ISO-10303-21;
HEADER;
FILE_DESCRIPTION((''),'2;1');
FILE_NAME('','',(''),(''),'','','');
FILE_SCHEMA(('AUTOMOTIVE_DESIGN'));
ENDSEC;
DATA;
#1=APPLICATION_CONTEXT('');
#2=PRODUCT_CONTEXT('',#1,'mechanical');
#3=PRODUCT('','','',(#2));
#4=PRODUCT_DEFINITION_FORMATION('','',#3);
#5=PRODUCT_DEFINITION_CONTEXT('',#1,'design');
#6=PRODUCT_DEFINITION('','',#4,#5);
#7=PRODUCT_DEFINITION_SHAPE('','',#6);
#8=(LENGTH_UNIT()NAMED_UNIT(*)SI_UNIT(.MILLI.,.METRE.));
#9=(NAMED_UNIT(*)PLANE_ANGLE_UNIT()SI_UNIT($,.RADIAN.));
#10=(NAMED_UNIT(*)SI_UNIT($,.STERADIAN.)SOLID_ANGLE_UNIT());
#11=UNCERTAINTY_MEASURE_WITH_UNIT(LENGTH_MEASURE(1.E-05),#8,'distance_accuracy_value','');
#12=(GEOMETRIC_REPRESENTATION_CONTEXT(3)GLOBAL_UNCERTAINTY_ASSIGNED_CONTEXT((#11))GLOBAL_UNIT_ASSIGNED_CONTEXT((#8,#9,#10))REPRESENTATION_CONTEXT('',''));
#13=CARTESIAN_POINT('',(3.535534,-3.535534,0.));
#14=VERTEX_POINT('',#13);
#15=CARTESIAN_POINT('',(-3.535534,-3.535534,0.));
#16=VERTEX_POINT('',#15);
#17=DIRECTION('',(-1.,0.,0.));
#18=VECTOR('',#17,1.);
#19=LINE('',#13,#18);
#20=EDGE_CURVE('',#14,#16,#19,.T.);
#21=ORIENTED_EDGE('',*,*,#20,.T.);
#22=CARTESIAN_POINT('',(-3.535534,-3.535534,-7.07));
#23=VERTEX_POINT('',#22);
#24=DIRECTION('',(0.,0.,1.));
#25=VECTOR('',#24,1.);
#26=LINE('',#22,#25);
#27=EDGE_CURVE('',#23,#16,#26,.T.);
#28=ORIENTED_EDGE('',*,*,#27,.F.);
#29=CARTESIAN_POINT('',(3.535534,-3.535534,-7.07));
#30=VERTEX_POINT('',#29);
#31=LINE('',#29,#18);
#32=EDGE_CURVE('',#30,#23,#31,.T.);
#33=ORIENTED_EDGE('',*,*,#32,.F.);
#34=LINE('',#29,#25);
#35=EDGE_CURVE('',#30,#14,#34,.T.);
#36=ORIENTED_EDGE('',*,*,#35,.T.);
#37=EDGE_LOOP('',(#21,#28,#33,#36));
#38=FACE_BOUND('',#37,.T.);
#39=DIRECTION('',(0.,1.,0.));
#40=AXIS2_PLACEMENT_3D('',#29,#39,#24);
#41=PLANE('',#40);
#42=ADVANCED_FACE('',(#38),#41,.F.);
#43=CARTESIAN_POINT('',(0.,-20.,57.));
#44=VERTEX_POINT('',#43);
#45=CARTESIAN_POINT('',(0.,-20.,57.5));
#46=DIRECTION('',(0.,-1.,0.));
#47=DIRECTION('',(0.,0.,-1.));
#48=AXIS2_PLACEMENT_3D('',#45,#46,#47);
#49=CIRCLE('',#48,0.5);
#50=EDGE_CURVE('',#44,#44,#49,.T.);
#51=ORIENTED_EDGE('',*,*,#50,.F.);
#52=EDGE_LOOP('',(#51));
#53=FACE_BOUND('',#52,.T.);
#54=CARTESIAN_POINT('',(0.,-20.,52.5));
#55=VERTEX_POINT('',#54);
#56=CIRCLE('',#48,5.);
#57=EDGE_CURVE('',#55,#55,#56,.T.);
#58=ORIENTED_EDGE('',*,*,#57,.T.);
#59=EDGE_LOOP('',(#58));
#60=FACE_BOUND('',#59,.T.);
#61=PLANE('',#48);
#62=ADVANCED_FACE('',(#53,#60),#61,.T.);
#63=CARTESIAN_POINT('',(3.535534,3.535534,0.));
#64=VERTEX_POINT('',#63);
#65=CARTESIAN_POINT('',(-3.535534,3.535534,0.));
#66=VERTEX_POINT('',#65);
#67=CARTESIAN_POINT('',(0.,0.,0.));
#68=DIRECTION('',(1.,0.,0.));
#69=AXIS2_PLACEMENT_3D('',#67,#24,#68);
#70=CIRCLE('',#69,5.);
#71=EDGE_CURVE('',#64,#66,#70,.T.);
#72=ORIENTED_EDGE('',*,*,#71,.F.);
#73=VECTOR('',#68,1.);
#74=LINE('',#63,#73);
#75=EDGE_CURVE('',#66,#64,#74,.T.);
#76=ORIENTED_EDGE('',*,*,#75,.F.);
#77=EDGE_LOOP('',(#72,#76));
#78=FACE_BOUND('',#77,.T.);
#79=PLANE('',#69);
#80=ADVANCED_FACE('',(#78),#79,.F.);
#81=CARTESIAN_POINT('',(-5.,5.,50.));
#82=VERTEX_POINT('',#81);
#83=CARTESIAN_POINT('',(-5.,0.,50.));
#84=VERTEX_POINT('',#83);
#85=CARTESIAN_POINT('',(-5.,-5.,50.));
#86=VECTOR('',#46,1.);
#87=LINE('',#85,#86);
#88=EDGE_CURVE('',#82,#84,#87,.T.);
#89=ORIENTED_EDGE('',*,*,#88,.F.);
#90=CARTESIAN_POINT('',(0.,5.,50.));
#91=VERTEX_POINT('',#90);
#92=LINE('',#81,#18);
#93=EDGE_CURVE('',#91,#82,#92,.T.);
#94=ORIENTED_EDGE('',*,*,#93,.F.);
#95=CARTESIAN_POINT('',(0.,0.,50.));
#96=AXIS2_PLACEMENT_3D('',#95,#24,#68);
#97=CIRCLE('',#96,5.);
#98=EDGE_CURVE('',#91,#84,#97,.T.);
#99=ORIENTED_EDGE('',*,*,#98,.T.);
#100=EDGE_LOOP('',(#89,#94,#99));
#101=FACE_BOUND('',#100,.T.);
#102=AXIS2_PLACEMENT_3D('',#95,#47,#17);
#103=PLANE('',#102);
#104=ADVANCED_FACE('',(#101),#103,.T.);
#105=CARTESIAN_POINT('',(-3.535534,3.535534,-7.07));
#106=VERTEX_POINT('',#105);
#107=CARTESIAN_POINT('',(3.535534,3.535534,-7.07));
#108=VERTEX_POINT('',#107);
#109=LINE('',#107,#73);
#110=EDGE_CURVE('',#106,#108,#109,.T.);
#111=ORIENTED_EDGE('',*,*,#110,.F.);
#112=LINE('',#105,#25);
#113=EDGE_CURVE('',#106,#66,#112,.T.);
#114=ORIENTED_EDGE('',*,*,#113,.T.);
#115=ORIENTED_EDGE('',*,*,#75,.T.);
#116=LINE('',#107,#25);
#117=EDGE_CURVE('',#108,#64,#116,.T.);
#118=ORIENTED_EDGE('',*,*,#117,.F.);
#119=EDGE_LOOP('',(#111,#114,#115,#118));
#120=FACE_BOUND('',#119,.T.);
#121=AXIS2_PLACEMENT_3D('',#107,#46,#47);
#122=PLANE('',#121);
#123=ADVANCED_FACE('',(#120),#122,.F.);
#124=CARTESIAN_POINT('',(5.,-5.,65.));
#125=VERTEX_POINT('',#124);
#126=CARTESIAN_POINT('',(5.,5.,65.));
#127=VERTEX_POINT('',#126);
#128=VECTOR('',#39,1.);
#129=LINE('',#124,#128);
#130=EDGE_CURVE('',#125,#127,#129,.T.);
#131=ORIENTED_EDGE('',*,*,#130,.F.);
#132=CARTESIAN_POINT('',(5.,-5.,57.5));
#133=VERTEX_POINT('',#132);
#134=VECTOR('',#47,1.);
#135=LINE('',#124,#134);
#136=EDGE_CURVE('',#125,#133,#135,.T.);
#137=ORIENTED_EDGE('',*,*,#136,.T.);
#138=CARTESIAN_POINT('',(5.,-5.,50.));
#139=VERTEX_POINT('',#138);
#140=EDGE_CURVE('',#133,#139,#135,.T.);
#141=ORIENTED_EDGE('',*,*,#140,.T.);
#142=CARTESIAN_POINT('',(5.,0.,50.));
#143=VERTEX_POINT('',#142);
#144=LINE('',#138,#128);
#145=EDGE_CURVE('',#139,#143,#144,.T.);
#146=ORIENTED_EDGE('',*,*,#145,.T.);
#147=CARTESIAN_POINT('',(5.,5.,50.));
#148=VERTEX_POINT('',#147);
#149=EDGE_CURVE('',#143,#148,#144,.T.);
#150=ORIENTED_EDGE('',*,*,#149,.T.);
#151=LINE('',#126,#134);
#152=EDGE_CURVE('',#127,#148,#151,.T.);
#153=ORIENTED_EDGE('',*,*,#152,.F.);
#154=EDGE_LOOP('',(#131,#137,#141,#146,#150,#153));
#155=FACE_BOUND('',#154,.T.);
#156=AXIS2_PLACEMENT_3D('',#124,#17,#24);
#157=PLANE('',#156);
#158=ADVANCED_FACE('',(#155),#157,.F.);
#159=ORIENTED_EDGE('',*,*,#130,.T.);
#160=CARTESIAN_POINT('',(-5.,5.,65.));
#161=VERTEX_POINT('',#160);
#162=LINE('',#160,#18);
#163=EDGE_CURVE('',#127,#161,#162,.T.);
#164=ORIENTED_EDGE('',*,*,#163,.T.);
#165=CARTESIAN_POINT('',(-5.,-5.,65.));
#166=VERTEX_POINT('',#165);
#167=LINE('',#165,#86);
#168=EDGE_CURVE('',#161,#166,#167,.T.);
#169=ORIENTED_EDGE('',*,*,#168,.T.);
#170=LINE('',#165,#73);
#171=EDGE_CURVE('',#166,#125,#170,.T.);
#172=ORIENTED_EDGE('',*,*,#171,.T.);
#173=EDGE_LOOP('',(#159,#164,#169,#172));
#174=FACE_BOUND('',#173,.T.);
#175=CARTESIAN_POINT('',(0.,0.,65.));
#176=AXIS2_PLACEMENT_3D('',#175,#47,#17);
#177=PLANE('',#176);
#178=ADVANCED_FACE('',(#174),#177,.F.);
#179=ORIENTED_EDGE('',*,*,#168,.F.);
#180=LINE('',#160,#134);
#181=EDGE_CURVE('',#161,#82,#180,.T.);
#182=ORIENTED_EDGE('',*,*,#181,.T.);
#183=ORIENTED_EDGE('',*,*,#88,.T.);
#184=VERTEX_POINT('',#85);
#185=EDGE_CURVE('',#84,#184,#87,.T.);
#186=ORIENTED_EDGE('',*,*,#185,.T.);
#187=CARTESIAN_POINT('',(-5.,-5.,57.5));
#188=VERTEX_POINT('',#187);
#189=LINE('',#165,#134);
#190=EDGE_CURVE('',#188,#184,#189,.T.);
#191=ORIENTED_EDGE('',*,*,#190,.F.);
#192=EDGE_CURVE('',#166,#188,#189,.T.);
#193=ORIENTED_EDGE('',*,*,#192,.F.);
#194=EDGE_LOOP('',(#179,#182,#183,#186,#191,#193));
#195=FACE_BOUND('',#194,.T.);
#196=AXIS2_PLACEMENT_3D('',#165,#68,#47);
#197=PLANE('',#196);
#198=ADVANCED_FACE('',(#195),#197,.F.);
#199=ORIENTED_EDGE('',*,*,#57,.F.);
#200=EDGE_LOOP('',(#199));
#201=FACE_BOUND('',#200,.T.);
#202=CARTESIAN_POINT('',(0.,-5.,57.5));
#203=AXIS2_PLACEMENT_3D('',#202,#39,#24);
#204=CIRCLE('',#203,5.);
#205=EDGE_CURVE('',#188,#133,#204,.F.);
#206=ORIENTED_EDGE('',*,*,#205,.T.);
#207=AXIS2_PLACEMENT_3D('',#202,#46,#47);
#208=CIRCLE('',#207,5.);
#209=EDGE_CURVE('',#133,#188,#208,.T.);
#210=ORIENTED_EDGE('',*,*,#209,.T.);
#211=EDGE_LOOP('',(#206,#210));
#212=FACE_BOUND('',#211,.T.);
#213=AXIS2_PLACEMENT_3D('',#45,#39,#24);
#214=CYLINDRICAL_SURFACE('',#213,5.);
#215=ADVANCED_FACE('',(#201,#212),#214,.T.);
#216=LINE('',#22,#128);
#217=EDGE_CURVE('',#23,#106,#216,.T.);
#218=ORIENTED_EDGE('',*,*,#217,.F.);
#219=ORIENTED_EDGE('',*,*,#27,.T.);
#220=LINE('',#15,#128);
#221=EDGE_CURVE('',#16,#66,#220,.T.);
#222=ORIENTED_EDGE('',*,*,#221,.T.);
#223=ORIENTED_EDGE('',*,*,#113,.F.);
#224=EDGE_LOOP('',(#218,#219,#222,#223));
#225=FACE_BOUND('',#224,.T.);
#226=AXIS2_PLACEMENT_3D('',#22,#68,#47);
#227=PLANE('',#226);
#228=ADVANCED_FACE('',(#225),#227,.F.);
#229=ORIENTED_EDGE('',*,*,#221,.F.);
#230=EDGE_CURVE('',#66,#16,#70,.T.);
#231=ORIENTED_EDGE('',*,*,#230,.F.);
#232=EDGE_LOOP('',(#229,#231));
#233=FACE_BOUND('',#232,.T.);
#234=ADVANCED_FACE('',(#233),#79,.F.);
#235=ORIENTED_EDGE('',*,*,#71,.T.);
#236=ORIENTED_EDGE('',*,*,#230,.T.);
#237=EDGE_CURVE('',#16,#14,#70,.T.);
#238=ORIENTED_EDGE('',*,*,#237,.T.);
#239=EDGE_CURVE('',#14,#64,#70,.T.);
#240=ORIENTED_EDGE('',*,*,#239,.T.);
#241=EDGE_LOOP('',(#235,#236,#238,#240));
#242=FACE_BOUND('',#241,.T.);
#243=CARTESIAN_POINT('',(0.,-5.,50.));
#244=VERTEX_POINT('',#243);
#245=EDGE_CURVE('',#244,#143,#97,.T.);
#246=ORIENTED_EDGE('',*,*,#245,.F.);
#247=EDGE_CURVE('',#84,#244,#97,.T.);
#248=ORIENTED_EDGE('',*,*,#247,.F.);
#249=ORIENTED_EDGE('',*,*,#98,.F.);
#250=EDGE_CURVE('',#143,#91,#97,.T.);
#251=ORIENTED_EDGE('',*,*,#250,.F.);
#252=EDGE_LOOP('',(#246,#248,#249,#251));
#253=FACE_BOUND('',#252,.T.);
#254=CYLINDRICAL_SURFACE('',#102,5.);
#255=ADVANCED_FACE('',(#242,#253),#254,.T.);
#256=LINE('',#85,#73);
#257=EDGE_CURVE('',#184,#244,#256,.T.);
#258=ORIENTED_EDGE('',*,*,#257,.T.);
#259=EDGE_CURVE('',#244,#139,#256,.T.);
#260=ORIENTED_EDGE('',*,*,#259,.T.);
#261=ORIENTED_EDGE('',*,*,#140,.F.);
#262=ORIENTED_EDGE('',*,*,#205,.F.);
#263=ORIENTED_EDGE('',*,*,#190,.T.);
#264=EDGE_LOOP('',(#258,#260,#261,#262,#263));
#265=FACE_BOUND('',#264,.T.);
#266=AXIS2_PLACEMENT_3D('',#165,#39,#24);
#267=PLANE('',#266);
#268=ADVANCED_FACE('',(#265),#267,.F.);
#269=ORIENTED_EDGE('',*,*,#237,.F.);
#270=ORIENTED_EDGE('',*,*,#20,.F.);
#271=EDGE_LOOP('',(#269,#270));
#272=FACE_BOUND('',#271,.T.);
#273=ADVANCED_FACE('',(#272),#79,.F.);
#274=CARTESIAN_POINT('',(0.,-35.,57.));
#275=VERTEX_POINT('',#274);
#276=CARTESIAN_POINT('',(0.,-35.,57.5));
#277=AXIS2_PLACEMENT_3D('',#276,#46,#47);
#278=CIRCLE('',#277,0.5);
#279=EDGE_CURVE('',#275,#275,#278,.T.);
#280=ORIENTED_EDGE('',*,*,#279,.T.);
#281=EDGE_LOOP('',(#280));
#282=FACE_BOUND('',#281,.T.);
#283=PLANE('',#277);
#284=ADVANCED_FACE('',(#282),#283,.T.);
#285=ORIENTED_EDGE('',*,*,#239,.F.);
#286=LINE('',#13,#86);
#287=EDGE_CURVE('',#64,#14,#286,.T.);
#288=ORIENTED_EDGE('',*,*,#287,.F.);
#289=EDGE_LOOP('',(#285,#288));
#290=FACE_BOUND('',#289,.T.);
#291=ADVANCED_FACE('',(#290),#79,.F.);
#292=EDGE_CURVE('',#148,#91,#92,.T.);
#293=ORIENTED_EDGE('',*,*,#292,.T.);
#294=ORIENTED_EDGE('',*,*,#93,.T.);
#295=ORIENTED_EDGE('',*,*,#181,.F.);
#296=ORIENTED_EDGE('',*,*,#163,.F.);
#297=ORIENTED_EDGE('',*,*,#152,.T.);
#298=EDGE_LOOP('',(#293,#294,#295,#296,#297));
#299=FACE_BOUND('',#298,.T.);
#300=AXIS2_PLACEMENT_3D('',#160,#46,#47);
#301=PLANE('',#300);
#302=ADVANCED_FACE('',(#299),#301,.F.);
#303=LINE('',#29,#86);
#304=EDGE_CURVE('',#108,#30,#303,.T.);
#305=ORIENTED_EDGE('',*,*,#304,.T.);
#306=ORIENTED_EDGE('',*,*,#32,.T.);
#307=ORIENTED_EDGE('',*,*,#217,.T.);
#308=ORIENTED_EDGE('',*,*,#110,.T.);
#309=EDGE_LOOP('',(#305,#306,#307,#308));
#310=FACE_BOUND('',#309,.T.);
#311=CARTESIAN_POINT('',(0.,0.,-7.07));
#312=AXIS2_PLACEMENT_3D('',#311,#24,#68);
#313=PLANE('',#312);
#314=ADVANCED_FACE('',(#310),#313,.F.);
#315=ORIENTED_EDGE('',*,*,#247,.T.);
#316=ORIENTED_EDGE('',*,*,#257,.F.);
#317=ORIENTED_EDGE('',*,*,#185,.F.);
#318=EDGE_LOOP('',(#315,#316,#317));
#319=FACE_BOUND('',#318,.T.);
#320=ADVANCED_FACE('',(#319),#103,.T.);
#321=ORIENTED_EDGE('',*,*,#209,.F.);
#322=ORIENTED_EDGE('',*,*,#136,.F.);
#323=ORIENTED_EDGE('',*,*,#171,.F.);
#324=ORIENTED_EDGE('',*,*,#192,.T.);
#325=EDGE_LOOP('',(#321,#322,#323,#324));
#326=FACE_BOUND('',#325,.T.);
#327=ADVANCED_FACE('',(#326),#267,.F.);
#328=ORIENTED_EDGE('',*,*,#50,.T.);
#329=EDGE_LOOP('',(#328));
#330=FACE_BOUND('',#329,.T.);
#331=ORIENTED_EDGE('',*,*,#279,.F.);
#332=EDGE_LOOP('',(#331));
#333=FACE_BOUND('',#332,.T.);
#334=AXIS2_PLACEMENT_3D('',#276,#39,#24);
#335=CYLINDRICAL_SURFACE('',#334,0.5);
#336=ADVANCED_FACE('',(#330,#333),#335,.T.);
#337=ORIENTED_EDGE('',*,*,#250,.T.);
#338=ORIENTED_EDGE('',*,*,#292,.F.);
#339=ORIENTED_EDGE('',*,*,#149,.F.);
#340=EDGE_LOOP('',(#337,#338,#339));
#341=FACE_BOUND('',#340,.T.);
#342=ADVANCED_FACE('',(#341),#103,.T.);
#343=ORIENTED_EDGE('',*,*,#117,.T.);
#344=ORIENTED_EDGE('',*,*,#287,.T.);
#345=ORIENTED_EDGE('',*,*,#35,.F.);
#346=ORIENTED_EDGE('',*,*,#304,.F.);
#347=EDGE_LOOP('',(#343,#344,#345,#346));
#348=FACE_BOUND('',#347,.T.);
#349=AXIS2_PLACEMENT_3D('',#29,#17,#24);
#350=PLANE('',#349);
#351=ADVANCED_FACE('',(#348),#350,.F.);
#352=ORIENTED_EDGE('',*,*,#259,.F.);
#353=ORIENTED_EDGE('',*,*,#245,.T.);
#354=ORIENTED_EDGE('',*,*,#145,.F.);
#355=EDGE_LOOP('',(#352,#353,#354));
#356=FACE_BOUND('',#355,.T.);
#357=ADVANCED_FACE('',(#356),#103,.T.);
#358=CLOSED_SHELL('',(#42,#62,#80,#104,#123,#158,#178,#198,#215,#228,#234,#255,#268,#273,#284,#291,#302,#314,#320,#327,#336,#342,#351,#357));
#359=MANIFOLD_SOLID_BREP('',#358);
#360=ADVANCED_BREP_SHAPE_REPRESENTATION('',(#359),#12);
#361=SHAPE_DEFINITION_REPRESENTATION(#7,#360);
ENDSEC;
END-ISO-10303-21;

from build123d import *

# Parameters (mm, degrees)
CROQUIS2_R              = 5
SALIENTE_EXTRUIR1_DEPTH = 50
CROQUIS3_W              = 10
CROQUIS3_H              = 10
SALIENTE_EXTRUIR2_DEPTH = 15
CROQUIS5_R              = 5
SALIENTE_EXTRUIR3_DEPTH = 15
CROQUIS8_R              = 0.5
SALIENTE_EXTRUIR4_DEPTH = 15
CROQUIS11_W             = 7.071067812
CROQUIS11_H             = 7.071067812
SALIENTE_EXTRUIR5_DEPTH = 7.07


with BuildPart() as part:
    # Croquis2 → Saliente-Extruir1 (new body)
    with BuildSketch(Plane.XY):
        Circle(CROQUIS2_R)
    extrude(amount=SALIENTE_EXTRUIR1_DEPTH)

    # Croquis3 → Saliente-Extruir2 (add)
    with BuildSketch(Plane.XY.offset(50)):
        Rectangle(CROQUIS3_W, CROQUIS3_H)
    extrude(amount=SALIENTE_EXTRUIR2_DEPTH)

    # Croquis5 → Saliente-Extruir3 (add)
    with BuildSketch(Plane.XZ.offset(5)):
        with Locations(Location((0, 57.5, 0), (0, 0, 180))):  # turned: the seam where the file's is
            Circle(CROQUIS5_R)
    extrude(amount=SALIENTE_EXTRUIR3_DEPTH)

    # Croquis8 → Saliente-Extruir4 (add)
    with BuildSketch(Plane.XZ.offset(20)):
        with Locations(Location((0, 57.5, 0), (0, 0, 270))):  # turned: the seam where the file's is
            Circle(CROQUIS8_R)
    extrude(amount=SALIENTE_EXTRUIR4_DEPTH)

    # Croquis11 → Saliente-Extruir5 (add)
    with BuildSketch(Plane(origin=(0, 0, 0), x_dir=(-1, 0, 0), z_dir=(0, 0, -1))):
        Rectangle(CROQUIS11_W, CROQUIS11_H)
    extrude(amount=SALIENTE_EXTRUIR5_DEPTH)


solid = part.part
